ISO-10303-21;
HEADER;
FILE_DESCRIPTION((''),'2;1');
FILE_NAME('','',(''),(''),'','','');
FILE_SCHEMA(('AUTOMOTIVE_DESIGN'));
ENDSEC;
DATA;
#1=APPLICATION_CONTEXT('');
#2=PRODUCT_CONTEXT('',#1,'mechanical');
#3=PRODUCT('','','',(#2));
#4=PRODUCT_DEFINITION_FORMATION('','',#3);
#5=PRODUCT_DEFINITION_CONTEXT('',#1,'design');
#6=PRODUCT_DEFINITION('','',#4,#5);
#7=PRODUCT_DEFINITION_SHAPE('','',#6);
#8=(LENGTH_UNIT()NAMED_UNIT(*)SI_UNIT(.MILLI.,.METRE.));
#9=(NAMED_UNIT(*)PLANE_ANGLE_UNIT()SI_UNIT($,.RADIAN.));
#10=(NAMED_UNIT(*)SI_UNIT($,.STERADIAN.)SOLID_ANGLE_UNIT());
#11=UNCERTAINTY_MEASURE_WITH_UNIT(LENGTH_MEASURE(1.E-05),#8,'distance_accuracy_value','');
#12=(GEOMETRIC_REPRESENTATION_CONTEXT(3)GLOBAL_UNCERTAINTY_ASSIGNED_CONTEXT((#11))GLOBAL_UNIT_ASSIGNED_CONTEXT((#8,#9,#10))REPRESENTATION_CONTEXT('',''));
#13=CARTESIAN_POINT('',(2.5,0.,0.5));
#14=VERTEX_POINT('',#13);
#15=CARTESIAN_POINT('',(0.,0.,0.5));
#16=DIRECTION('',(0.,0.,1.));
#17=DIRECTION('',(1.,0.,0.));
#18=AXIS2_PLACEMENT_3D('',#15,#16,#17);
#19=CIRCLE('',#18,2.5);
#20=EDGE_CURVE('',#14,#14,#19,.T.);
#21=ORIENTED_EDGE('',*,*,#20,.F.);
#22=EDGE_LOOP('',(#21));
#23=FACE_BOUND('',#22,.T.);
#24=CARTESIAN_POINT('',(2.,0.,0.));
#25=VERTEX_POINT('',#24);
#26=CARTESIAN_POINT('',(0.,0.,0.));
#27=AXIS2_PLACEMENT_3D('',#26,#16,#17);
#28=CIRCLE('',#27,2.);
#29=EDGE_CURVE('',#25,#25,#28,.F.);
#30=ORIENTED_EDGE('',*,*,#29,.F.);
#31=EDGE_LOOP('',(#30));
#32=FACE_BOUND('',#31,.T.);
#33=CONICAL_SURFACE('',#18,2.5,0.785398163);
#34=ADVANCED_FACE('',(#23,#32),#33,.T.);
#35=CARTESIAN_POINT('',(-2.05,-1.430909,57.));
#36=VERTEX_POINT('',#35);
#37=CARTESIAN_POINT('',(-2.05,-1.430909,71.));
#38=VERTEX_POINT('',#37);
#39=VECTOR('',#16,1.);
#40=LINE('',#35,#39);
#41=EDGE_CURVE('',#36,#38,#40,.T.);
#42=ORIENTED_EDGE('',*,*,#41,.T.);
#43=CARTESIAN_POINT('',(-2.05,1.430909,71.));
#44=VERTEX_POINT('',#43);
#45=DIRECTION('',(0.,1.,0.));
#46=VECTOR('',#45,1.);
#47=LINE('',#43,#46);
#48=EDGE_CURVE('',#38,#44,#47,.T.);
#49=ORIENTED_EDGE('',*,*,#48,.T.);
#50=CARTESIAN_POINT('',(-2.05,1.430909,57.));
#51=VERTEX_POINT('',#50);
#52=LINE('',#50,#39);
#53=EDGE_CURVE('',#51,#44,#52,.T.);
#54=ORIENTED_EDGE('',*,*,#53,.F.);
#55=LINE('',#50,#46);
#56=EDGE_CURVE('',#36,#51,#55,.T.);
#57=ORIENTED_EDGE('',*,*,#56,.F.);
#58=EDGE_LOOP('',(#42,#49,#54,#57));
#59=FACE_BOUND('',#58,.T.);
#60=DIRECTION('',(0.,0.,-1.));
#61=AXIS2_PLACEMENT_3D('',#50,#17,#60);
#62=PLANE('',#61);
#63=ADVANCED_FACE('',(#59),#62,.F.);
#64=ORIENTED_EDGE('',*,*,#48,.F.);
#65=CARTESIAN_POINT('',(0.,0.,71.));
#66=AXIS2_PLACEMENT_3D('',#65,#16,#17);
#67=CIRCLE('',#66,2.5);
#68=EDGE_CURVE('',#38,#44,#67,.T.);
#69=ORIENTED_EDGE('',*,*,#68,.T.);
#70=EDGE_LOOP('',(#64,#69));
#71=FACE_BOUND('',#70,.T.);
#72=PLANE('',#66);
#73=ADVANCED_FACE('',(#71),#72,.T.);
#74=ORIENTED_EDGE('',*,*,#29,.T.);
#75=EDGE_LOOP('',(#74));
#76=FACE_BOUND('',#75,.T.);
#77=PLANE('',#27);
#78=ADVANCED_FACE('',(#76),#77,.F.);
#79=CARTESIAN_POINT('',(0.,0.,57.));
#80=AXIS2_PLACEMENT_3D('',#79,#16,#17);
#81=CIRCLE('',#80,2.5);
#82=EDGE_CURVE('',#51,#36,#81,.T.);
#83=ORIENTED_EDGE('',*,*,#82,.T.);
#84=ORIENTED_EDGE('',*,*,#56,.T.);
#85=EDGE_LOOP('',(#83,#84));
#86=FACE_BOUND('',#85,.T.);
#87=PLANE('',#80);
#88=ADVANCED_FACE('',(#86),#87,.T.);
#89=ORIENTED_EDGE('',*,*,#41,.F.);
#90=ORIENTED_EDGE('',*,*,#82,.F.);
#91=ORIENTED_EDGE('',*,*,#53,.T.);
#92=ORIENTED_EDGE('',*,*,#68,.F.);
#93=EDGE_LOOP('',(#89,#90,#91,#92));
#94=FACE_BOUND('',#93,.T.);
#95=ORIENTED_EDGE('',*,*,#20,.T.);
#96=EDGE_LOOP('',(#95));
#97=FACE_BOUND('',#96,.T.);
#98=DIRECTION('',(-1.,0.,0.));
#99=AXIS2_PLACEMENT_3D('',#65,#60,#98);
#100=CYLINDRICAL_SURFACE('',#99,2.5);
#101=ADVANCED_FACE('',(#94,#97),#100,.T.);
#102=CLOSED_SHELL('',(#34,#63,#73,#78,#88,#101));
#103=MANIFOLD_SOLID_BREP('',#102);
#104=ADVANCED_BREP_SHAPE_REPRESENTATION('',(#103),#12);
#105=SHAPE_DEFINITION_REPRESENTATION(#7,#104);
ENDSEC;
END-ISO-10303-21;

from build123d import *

# Parameters (mm, degrees)
CROQUIS1_R              = 2.5
SALIENTE_EXTRUIR1_DEPTH = 71
CUT_EXTRUDE1_DEPTH      = 14
CHAMFER1_SIZE           = 0.5


with BuildPart() as part:
    # Croquis1 → Saliente-Extruir1 (new body)
    with BuildSketch(Plane.XY):
        Circle(CROQUIS1_R)
    extrude(amount=SALIENTE_EXTRUIR1_DEPTH)

    # Sketch1 → Cut-Extrude1 (cut)
    with BuildSketch(Plane.XY.offset(71)):
        with BuildLine():
            Line((-2.05, 1.430908802), (-2.05, -1.430908802))
            ThreePointArc((-2.05, -1.430908802), (-2.5, 0), (-2.05, 1.430908802))
        make_face()
    extrude(amount=-CUT_EXTRUDE1_DEPTH, mode=Mode.SUBTRACT)

    # Chamfer1
    chamfer1_edges = [part.edges().sort_by_distance(p)[0] for p in [
        (-2.5, 0, 0),
    ]]
    chamfer(chamfer1_edges, length=CHAMFER1_SIZE)


solid = part.part
